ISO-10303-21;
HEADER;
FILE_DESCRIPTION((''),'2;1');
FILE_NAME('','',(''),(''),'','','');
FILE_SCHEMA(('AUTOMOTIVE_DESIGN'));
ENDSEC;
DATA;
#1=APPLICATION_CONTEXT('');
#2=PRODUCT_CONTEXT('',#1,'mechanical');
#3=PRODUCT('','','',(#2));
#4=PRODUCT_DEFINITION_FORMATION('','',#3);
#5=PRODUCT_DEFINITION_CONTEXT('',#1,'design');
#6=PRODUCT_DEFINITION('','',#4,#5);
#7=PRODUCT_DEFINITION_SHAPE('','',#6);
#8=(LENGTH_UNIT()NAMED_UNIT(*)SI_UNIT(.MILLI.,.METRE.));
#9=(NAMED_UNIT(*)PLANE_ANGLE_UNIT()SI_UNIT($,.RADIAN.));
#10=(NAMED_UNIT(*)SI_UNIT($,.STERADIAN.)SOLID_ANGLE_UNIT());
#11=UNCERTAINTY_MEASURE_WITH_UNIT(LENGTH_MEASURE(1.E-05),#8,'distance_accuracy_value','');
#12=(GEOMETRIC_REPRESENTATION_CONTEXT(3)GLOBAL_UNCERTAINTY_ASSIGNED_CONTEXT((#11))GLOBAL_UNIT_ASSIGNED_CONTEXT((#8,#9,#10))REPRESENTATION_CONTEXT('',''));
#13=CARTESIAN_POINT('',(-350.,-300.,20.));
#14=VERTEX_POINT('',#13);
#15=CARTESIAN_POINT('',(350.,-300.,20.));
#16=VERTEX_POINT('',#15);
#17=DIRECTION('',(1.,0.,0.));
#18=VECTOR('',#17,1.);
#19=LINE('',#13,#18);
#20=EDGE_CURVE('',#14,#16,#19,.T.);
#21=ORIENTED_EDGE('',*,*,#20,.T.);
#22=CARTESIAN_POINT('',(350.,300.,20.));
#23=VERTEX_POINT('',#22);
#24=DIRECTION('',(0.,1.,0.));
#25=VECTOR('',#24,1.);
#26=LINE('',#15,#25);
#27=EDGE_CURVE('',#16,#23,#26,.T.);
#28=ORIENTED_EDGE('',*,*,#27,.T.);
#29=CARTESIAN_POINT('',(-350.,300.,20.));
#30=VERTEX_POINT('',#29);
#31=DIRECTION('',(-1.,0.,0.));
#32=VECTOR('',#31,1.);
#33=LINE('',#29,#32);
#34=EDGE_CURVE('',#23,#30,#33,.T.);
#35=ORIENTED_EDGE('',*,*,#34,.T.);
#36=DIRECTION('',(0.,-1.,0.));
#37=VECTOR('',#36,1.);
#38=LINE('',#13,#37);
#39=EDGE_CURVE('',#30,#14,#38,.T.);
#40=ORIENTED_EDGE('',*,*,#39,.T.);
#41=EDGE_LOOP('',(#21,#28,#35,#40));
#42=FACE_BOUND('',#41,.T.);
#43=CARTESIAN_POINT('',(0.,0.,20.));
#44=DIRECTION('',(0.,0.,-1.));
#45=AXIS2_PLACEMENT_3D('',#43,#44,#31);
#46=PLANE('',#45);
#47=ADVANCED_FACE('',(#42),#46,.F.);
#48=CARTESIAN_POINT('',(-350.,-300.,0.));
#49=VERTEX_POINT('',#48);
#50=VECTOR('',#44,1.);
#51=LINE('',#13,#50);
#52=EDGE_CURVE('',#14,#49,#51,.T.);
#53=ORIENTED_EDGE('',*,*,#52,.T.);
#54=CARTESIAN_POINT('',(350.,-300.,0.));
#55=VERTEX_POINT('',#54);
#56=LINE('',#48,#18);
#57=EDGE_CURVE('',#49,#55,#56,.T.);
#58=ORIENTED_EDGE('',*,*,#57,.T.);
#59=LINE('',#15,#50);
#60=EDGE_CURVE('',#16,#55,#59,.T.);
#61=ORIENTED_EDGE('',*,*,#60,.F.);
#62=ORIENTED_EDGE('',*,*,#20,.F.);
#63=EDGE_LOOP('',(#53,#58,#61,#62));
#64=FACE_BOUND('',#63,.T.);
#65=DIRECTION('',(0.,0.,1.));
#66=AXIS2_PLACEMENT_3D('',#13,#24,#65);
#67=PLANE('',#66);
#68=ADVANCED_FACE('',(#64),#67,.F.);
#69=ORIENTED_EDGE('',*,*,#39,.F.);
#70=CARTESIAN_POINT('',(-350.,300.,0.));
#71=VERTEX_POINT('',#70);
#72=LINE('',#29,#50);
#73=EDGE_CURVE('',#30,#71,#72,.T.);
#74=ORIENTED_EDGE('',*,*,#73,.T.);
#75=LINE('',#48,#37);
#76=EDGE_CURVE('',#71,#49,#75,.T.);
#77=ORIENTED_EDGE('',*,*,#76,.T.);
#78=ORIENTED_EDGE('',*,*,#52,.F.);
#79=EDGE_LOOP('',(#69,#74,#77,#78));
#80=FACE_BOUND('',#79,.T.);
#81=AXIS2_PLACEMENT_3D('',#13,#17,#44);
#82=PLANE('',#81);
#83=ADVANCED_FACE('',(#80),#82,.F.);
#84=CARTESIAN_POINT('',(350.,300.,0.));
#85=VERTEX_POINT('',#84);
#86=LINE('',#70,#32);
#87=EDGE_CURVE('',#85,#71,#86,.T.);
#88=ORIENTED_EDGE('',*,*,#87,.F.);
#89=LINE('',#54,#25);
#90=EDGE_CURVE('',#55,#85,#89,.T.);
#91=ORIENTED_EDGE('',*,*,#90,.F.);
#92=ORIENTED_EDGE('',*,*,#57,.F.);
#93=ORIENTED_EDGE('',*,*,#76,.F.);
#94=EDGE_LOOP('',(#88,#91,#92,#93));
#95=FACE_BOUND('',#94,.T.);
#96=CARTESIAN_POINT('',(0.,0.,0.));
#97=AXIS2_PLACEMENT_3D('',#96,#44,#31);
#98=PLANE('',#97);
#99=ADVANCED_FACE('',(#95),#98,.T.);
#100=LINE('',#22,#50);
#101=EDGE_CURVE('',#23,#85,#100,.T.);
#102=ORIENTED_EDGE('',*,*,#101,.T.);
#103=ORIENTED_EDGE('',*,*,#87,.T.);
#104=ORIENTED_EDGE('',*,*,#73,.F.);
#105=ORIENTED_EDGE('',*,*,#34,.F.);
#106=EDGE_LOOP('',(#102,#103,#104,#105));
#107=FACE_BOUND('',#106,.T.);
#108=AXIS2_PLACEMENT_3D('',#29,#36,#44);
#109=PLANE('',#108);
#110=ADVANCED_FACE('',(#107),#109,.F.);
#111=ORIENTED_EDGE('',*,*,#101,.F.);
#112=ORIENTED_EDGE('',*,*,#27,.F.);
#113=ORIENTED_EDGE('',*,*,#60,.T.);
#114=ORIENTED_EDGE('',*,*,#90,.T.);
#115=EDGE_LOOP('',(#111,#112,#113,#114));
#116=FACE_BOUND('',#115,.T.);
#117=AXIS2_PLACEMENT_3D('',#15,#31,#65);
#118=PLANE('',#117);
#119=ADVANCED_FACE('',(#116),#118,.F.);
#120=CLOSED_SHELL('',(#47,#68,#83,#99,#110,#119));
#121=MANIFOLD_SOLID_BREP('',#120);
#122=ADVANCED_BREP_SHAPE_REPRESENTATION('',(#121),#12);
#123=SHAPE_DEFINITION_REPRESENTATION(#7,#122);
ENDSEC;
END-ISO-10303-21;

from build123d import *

# Parameters (mm, degrees)
SKETCH_1_W      = 700
SKETCH_1_H      = 600
EXTRUDE_1_DEPTH = 20


with BuildPart() as part:
    # 草图1 → 凸台-拉伸1 (new body)
    with BuildSketch(Plane.XY):
        Rectangle(SKETCH_1_W, SKETCH_1_H)
    extrude(amount=EXTRUDE_1_DEPTH)


solid = part.part
